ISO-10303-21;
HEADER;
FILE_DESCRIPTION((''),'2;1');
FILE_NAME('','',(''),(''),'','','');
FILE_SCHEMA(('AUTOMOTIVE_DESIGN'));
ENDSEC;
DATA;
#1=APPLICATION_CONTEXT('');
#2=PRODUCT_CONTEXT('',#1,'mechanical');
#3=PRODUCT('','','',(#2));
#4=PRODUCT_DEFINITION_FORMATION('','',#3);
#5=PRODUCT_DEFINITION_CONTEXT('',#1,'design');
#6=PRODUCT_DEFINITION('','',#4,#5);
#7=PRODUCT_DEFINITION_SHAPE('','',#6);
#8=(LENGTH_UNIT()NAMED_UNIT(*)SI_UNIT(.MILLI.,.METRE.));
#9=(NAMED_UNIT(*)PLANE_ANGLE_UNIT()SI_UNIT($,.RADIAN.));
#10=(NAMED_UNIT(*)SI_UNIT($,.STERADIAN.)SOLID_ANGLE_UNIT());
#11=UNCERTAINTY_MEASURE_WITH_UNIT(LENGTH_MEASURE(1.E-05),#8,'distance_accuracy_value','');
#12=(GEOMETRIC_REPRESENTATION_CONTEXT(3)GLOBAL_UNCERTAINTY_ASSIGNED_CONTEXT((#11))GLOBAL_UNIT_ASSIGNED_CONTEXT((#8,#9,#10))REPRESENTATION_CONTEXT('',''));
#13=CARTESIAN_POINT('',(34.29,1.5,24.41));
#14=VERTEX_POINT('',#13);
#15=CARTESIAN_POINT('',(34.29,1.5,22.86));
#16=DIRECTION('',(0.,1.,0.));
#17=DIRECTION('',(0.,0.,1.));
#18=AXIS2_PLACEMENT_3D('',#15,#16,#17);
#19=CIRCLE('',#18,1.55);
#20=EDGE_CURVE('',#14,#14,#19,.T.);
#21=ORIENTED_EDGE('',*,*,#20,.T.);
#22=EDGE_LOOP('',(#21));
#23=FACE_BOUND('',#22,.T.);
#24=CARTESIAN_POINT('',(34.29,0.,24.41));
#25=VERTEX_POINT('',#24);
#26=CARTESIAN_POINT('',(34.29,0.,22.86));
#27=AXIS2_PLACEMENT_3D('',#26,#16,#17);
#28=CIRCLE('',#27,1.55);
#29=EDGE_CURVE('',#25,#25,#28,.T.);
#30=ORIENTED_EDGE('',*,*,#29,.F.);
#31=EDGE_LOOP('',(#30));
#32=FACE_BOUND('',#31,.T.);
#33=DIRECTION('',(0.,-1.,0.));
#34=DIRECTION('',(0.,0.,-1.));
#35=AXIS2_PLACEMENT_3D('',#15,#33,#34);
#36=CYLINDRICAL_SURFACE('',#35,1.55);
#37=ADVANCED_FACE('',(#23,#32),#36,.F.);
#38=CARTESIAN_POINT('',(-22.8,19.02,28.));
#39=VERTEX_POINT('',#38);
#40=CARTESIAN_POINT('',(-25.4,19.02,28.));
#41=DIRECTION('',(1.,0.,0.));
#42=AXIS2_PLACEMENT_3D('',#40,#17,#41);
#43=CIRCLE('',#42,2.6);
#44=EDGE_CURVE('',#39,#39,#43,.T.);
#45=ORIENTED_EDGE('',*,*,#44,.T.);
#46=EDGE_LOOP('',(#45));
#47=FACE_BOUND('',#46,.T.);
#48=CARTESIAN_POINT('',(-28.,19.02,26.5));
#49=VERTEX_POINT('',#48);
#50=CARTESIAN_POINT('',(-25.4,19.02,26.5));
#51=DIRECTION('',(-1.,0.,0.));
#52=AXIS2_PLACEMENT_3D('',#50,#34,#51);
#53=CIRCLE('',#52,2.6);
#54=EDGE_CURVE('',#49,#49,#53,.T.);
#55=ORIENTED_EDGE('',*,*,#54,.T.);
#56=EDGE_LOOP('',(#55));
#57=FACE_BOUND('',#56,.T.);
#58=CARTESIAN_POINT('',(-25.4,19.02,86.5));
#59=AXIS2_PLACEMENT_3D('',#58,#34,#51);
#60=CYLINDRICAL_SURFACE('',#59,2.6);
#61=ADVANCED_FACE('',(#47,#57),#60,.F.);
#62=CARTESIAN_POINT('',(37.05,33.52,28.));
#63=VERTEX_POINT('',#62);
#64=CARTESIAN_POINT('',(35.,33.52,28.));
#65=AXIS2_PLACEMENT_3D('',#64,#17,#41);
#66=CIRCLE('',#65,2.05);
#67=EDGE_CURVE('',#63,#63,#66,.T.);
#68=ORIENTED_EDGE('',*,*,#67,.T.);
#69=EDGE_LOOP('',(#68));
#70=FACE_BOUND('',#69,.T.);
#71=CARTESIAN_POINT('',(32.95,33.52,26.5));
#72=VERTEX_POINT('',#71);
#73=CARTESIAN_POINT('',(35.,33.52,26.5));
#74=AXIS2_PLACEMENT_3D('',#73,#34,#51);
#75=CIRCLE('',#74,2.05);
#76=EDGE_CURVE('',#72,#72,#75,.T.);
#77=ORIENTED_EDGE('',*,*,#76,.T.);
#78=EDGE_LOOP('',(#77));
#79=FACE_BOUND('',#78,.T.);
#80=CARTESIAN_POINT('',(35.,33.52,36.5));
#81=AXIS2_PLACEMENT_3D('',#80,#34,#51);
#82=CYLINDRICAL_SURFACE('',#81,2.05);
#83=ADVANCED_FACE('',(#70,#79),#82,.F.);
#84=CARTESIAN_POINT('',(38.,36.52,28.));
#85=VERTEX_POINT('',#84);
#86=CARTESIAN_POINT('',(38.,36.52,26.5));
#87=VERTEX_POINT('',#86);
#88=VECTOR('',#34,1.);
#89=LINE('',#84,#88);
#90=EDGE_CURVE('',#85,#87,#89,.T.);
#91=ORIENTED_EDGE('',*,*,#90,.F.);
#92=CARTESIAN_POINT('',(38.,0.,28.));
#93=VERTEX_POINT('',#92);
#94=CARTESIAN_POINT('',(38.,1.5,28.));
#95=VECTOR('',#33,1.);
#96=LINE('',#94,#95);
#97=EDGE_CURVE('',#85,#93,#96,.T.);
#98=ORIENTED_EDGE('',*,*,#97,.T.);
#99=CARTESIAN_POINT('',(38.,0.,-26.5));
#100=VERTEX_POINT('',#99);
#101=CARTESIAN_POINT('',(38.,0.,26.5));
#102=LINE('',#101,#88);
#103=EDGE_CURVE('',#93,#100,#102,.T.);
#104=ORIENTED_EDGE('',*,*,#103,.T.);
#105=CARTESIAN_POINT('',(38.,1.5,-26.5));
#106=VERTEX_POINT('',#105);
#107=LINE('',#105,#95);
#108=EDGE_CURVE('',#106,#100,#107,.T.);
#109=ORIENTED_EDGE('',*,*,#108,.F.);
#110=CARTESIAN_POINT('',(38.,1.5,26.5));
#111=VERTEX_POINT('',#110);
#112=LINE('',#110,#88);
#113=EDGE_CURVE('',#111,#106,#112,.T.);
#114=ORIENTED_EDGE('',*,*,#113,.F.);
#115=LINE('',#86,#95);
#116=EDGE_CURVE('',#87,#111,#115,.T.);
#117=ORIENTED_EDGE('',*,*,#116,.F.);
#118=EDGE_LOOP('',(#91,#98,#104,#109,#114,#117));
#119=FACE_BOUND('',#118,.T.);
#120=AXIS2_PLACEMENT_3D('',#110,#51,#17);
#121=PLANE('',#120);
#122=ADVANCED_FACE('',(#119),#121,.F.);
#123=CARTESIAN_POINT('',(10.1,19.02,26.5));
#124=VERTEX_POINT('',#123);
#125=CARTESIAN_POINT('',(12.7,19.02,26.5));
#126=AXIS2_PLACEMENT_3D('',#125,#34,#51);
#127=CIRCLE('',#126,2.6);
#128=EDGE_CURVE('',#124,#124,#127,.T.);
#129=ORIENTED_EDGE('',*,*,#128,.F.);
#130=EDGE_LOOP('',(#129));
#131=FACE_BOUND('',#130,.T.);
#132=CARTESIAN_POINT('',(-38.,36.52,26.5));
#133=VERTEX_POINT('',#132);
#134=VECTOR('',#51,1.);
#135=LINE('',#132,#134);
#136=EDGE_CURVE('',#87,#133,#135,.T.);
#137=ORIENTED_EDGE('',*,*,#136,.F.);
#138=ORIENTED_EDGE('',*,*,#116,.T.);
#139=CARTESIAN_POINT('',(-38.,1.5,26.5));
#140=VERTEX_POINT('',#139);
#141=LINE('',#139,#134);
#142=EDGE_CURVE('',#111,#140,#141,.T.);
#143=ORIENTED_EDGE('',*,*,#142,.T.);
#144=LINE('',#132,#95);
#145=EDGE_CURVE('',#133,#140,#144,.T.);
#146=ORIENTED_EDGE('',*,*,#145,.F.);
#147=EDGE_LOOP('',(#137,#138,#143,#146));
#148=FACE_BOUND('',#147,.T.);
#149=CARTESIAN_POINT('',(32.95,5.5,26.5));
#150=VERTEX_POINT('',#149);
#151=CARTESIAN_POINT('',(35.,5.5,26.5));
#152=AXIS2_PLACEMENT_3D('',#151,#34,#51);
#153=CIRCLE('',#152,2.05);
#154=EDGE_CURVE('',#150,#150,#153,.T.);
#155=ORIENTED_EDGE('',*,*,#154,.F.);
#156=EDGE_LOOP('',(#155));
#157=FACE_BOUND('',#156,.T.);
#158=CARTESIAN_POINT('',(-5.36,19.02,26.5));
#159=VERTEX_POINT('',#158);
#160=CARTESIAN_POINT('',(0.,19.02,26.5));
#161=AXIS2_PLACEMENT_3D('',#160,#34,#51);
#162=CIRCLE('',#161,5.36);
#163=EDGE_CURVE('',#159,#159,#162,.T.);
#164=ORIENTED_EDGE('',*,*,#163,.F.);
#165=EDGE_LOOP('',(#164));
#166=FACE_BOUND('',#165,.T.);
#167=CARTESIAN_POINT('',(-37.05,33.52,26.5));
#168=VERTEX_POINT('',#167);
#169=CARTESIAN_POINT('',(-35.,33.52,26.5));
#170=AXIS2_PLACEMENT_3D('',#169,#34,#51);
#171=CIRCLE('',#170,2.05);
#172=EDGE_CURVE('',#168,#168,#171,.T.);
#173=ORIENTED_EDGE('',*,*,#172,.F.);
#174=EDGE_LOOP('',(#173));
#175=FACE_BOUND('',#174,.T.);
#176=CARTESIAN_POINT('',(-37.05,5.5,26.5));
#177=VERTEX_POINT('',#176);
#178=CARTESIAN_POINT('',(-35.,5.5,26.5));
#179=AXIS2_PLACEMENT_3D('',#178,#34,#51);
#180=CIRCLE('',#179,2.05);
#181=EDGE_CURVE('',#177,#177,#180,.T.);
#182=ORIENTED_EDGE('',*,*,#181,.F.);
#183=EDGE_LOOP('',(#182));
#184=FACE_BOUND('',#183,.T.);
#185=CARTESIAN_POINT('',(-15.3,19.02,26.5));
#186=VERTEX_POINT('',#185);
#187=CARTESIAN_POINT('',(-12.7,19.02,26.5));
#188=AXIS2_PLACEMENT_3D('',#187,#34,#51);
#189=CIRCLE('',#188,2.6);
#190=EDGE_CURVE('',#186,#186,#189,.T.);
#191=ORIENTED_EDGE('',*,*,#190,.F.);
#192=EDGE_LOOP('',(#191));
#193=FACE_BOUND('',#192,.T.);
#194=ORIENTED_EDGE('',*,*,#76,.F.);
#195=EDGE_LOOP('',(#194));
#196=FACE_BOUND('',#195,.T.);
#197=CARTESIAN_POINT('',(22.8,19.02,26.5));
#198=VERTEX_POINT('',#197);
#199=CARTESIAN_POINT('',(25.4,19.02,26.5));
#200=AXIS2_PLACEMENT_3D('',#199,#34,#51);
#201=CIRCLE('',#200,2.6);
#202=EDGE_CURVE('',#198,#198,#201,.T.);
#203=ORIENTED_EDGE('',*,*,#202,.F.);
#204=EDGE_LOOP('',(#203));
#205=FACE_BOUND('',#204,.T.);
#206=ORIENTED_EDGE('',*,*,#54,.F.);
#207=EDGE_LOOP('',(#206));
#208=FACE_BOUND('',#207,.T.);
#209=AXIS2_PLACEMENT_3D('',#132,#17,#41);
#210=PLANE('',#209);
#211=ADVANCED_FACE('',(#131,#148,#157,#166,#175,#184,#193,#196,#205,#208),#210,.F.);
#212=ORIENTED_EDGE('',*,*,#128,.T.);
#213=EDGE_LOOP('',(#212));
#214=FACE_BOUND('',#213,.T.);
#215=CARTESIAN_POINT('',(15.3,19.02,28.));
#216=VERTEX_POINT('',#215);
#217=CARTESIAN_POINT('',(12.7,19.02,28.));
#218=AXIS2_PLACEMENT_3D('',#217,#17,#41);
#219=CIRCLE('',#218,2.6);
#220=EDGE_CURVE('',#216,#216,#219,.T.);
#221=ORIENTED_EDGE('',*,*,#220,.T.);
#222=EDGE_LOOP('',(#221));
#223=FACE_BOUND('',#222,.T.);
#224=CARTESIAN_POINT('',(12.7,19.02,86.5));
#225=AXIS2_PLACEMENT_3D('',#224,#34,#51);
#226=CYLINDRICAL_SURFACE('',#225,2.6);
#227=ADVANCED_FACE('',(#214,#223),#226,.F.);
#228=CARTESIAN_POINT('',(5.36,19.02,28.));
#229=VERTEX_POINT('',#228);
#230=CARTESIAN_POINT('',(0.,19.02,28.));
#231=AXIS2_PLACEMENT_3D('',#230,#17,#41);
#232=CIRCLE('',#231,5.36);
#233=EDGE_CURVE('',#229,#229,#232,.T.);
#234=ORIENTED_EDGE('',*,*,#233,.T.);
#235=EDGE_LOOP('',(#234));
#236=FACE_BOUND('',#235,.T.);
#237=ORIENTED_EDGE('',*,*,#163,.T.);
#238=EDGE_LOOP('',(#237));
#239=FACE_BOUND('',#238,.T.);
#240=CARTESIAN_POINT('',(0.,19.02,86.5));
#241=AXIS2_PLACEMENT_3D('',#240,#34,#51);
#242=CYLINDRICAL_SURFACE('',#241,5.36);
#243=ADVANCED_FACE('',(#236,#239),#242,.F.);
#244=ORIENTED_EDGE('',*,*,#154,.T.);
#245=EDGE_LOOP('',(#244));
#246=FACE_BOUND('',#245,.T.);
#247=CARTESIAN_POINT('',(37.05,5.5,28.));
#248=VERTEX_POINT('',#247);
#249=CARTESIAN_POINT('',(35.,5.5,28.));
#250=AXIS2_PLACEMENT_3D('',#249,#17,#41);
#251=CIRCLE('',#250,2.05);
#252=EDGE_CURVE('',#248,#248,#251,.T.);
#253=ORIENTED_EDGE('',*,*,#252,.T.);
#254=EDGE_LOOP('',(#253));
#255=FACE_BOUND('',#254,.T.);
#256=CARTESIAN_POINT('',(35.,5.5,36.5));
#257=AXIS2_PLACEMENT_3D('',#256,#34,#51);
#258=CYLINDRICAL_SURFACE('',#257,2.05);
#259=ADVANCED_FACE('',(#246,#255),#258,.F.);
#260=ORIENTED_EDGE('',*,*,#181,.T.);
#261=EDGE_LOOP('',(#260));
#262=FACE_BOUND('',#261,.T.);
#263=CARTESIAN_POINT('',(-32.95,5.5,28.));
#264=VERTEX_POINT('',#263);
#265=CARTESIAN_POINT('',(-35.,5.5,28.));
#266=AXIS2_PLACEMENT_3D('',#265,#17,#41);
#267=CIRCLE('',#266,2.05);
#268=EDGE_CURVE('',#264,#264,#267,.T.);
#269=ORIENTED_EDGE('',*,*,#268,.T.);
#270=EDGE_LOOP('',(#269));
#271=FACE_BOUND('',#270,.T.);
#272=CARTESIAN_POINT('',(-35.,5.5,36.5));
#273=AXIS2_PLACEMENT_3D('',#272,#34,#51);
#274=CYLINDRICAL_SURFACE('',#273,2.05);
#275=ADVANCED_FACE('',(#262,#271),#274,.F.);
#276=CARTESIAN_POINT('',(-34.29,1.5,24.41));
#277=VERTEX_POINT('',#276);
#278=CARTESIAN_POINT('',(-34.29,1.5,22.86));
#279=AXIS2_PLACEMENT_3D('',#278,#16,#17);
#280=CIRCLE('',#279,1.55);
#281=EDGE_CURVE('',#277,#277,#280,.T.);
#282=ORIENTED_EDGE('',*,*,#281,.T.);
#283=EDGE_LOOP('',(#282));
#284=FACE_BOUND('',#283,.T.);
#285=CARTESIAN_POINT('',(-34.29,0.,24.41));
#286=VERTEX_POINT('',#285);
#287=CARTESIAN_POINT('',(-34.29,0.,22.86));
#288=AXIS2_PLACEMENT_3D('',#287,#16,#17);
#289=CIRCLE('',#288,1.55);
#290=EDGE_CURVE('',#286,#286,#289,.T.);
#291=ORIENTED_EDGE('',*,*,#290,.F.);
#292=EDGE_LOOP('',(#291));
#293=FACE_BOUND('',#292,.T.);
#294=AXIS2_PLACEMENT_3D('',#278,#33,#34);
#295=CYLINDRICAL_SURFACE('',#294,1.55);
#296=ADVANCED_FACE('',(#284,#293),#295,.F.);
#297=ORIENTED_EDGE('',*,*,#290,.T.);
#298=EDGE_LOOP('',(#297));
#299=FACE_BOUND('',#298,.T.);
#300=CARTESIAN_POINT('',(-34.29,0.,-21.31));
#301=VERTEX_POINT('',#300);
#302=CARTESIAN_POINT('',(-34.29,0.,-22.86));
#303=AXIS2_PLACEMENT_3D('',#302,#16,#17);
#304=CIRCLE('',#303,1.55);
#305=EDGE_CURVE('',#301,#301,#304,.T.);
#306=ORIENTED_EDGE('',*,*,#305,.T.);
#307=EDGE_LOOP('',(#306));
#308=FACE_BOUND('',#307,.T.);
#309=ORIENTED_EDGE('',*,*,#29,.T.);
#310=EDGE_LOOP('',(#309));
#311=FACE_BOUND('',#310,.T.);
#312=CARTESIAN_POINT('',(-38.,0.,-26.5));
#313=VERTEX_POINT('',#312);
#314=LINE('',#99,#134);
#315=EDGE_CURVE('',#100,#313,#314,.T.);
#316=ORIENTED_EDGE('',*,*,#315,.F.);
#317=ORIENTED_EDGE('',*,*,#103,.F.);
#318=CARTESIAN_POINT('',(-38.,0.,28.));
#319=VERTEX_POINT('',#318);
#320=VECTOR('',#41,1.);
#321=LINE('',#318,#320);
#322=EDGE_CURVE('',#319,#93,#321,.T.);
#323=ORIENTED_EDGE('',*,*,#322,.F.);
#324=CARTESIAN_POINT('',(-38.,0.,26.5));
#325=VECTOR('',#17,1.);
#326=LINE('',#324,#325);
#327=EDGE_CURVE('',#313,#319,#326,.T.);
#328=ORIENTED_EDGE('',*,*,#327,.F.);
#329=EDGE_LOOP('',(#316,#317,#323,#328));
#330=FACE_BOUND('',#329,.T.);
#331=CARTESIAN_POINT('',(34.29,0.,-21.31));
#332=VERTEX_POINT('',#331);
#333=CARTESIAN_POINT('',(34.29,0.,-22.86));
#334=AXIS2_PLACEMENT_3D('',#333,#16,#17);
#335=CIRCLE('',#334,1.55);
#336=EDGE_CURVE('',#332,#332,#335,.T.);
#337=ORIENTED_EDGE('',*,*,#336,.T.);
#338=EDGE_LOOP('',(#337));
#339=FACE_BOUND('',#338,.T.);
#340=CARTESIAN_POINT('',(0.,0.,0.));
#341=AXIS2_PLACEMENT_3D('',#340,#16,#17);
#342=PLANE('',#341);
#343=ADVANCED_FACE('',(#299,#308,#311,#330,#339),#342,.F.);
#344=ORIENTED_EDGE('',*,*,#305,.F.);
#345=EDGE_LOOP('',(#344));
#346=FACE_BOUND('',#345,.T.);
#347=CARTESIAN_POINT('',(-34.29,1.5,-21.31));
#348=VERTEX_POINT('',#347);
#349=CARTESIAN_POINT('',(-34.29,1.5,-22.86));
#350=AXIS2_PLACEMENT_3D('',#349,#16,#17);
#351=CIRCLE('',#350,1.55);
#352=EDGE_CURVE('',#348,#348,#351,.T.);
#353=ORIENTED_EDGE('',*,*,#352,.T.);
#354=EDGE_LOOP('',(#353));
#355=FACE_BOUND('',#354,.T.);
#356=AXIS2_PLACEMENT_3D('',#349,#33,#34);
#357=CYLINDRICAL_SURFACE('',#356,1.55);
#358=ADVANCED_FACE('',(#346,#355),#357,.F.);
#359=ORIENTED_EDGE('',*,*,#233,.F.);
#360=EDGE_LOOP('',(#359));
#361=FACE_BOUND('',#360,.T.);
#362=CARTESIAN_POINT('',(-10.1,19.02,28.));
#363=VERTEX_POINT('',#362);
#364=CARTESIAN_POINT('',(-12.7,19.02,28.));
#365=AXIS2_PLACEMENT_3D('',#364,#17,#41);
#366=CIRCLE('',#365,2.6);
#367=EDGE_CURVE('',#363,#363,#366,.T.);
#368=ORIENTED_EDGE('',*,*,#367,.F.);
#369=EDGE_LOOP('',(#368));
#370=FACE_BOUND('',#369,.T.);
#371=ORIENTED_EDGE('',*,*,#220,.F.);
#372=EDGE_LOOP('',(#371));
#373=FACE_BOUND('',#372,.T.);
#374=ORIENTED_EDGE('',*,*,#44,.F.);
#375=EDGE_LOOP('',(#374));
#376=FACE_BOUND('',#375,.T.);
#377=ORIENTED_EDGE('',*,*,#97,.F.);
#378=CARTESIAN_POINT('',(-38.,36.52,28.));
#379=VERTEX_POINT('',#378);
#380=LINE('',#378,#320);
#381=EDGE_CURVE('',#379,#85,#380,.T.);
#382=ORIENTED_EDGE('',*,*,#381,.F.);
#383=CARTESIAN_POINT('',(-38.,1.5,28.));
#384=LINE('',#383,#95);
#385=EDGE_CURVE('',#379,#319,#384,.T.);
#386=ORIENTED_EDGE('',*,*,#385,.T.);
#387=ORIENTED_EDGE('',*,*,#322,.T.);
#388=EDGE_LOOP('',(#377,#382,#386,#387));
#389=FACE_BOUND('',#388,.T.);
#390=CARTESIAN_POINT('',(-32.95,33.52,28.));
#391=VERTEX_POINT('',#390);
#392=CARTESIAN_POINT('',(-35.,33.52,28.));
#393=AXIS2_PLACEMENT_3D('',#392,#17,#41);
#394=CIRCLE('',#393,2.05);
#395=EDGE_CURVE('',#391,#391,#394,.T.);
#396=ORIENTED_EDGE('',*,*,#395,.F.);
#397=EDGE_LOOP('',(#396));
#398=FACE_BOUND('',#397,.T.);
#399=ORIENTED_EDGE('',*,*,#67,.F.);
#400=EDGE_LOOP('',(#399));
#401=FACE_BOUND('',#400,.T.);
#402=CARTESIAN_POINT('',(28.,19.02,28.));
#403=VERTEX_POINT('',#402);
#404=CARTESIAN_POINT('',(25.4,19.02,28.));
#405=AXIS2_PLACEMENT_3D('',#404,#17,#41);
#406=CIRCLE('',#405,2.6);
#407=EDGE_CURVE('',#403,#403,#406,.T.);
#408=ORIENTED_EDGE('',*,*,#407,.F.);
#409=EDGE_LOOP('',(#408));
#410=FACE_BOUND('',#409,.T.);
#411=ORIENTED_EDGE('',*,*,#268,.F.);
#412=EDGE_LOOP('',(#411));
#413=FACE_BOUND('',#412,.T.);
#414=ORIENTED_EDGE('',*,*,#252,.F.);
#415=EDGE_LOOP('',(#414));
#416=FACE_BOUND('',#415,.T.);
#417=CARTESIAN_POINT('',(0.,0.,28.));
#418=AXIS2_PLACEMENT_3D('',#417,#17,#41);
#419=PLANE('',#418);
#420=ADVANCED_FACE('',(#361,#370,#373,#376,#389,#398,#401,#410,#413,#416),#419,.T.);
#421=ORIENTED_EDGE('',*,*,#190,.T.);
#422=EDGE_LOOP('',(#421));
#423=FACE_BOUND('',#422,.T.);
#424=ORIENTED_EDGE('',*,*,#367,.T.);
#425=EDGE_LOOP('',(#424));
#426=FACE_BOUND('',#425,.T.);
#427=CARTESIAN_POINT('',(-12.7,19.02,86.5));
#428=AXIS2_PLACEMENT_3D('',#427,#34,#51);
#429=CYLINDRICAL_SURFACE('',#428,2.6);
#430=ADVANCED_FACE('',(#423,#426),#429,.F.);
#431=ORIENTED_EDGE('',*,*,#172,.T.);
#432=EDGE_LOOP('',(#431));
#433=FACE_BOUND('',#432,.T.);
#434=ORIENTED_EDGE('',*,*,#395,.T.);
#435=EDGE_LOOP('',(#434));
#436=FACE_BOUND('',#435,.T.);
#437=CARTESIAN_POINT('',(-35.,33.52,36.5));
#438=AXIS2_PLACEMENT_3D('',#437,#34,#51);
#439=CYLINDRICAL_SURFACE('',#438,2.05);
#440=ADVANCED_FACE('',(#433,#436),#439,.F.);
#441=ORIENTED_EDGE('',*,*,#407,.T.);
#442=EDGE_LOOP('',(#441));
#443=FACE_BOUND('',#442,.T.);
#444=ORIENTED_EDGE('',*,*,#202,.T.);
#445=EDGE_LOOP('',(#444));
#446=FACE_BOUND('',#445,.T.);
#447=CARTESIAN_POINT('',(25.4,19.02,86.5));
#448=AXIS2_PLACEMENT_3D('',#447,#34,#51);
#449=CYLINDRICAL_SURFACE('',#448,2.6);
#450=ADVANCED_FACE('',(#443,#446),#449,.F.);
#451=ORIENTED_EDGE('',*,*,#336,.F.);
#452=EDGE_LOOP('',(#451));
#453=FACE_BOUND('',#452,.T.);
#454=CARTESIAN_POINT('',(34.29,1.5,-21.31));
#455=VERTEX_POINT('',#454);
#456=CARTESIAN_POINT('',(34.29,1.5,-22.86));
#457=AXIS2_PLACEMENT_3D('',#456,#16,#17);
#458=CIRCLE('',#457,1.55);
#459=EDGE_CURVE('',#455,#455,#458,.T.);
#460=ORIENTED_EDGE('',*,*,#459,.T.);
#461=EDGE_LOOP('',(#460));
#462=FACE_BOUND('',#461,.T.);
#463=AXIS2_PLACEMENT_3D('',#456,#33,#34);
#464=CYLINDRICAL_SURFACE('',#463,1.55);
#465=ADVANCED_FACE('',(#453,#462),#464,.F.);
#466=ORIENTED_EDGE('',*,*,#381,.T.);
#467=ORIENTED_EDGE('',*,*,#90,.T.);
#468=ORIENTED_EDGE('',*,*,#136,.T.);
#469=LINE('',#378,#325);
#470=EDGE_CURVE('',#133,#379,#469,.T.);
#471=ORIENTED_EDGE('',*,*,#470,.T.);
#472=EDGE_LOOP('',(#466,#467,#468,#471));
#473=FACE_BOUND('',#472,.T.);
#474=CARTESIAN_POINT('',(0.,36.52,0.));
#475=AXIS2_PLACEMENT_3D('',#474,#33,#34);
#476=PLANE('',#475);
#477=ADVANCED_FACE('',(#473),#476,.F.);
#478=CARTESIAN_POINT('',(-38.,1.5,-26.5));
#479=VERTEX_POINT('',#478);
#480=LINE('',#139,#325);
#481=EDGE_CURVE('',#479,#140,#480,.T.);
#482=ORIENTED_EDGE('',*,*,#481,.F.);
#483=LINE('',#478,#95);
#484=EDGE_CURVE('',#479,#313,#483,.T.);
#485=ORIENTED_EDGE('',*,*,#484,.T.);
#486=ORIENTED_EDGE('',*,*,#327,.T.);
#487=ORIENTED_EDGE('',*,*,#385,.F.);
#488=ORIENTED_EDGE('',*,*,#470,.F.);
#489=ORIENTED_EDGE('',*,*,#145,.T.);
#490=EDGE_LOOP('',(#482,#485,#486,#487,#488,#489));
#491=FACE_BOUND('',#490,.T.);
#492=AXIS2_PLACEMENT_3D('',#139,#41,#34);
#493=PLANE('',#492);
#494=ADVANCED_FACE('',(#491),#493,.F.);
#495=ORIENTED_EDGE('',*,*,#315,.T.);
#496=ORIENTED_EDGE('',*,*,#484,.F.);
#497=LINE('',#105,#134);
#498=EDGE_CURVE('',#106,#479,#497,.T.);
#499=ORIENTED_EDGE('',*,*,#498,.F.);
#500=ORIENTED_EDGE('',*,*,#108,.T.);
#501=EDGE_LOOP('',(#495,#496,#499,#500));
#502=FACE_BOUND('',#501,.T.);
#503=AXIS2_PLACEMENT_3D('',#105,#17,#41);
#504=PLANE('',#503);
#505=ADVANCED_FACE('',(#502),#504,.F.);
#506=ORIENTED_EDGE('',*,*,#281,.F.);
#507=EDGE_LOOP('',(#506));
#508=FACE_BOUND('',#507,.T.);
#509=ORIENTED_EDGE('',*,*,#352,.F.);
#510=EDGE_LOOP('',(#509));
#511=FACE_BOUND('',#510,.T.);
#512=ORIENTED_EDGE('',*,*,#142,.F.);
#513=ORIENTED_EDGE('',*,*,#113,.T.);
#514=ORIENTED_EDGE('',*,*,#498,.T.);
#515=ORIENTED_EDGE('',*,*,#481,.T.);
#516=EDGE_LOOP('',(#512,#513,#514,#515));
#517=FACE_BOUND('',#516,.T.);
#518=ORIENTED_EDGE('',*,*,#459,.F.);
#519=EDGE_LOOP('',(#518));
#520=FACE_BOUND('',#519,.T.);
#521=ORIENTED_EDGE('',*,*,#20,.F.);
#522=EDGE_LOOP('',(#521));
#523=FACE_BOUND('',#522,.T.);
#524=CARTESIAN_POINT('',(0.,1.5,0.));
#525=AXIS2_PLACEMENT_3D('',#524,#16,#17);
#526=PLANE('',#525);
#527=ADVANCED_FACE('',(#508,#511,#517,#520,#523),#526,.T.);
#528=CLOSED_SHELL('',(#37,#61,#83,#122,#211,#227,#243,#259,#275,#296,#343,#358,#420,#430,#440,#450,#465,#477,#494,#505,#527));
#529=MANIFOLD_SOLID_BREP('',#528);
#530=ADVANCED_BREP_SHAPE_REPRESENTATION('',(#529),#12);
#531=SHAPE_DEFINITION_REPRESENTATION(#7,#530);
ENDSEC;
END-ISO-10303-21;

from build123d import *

# Parameters (mm, degrees)
SKETCH_1_W          = 76
SKETCH_1_H          = 53
SKETCH_1_R          = 1.55
EXTRUDE_1_DEPTH     = 1.5
SKETCH_2_W          = 76
SKETCH_2_H          = 1.5
EXTRUDE_2_DEPTH     = 1.5
SKETCH_3_W          = 76
SKETCH_3_H          = 1.5
EXTRUDE_3_DEPTH     = 35.02
SKETCH_4_R          = 5.36
SKETCH_4_R_2        = 2.600000007
CUT_EXTRUDE_1_DEPTH = 60
SKETCH_5_R          = 2.05
CUT_EXTRUDE_2_DEPTH = 10


with BuildPart() as part:
    # 草图1 → 凸台-拉伸1 (new body)
    with BuildSketch(Plane(origin=(0, 0, 0), x_dir=(1, 0, 0), z_dir=(0, 1, 0))):
        Rectangle(SKETCH_1_W, SKETCH_1_H)
        with Locations((-34.29, 22.86)):
            Circle(SKETCH_1_R, mode=Mode.SUBTRACT)
        with Locations((-34.29, -22.86)):
            Circle(SKETCH_1_R, mode=Mode.SUBTRACT)
        with Locations((34.29, -22.86)):
            Circle(SKETCH_1_R, mode=Mode.SUBTRACT)
        with Locations((34.29, 22.86)):
            Circle(SKETCH_1_R, mode=Mode.SUBTRACT)
    extrude(amount=EXTRUDE_1_DEPTH)

    # 草图2 → 凸台-拉伸2 (add)
    with BuildSketch(Plane.XY.offset(26.5)):
        with Locations((0, 0.75)):
            Rectangle(SKETCH_2_W, SKETCH_2_H)
    extrude(amount=EXTRUDE_2_DEPTH)

    # 草图3 → 凸台-拉伸3 (add)
    with BuildSketch(Plane(origin=(0, 1.5, 0), x_dir=(1, 0, 0), z_dir=(0, 1, 0))):
        with Locations((0, -27.25)):
            Rectangle(SKETCH_3_W, SKETCH_3_H)
    extrude(amount=EXTRUDE_3_DEPTH)

    # 草图4 → 切除-拉伸1 (cut)
    with BuildSketch(Plane(origin=(0, 0, 26.5), x_dir=(-1, 0, 0), z_dir=(0, 0, -1))):
        with Locations((0, 19.02)):
            Circle(SKETCH_4_R)
        with Locations((-12.7, 19.02)):
            Circle(SKETCH_4_R_2)
        with Locations((-25.4, 19.02)):
            Circle(SKETCH_4_R_2)
        with Locations((12.7, 19.02)):
            Circle(SKETCH_4_R_2)
        with Locations((25.4, 19.02)):
            Circle(SKETCH_4_R_2)
    extrude(amount=-CUT_EXTRUDE_1_DEPTH, mode=Mode.SUBTRACT)

    # 草图5 → 切除-拉伸2 (cut)
    with BuildSketch(Plane(origin=(0, 0, 26.5), x_dir=(-1, 0, 0), z_dir=(0, 0, -1))):
        with Locations((-35, 33.52)):
            Circle(SKETCH_5_R)
        with Locations((-35, 5.5)):
            Circle(SKETCH_5_R)
        with Locations((35, 5.5)):
            Circle(SKETCH_5_R)
        with Locations((35, 33.52)):
            Circle(SKETCH_5_R)
    extrude(amount=-CUT_EXTRUDE_2_DEPTH, mode=Mode.SUBTRACT)


solid = part.part
